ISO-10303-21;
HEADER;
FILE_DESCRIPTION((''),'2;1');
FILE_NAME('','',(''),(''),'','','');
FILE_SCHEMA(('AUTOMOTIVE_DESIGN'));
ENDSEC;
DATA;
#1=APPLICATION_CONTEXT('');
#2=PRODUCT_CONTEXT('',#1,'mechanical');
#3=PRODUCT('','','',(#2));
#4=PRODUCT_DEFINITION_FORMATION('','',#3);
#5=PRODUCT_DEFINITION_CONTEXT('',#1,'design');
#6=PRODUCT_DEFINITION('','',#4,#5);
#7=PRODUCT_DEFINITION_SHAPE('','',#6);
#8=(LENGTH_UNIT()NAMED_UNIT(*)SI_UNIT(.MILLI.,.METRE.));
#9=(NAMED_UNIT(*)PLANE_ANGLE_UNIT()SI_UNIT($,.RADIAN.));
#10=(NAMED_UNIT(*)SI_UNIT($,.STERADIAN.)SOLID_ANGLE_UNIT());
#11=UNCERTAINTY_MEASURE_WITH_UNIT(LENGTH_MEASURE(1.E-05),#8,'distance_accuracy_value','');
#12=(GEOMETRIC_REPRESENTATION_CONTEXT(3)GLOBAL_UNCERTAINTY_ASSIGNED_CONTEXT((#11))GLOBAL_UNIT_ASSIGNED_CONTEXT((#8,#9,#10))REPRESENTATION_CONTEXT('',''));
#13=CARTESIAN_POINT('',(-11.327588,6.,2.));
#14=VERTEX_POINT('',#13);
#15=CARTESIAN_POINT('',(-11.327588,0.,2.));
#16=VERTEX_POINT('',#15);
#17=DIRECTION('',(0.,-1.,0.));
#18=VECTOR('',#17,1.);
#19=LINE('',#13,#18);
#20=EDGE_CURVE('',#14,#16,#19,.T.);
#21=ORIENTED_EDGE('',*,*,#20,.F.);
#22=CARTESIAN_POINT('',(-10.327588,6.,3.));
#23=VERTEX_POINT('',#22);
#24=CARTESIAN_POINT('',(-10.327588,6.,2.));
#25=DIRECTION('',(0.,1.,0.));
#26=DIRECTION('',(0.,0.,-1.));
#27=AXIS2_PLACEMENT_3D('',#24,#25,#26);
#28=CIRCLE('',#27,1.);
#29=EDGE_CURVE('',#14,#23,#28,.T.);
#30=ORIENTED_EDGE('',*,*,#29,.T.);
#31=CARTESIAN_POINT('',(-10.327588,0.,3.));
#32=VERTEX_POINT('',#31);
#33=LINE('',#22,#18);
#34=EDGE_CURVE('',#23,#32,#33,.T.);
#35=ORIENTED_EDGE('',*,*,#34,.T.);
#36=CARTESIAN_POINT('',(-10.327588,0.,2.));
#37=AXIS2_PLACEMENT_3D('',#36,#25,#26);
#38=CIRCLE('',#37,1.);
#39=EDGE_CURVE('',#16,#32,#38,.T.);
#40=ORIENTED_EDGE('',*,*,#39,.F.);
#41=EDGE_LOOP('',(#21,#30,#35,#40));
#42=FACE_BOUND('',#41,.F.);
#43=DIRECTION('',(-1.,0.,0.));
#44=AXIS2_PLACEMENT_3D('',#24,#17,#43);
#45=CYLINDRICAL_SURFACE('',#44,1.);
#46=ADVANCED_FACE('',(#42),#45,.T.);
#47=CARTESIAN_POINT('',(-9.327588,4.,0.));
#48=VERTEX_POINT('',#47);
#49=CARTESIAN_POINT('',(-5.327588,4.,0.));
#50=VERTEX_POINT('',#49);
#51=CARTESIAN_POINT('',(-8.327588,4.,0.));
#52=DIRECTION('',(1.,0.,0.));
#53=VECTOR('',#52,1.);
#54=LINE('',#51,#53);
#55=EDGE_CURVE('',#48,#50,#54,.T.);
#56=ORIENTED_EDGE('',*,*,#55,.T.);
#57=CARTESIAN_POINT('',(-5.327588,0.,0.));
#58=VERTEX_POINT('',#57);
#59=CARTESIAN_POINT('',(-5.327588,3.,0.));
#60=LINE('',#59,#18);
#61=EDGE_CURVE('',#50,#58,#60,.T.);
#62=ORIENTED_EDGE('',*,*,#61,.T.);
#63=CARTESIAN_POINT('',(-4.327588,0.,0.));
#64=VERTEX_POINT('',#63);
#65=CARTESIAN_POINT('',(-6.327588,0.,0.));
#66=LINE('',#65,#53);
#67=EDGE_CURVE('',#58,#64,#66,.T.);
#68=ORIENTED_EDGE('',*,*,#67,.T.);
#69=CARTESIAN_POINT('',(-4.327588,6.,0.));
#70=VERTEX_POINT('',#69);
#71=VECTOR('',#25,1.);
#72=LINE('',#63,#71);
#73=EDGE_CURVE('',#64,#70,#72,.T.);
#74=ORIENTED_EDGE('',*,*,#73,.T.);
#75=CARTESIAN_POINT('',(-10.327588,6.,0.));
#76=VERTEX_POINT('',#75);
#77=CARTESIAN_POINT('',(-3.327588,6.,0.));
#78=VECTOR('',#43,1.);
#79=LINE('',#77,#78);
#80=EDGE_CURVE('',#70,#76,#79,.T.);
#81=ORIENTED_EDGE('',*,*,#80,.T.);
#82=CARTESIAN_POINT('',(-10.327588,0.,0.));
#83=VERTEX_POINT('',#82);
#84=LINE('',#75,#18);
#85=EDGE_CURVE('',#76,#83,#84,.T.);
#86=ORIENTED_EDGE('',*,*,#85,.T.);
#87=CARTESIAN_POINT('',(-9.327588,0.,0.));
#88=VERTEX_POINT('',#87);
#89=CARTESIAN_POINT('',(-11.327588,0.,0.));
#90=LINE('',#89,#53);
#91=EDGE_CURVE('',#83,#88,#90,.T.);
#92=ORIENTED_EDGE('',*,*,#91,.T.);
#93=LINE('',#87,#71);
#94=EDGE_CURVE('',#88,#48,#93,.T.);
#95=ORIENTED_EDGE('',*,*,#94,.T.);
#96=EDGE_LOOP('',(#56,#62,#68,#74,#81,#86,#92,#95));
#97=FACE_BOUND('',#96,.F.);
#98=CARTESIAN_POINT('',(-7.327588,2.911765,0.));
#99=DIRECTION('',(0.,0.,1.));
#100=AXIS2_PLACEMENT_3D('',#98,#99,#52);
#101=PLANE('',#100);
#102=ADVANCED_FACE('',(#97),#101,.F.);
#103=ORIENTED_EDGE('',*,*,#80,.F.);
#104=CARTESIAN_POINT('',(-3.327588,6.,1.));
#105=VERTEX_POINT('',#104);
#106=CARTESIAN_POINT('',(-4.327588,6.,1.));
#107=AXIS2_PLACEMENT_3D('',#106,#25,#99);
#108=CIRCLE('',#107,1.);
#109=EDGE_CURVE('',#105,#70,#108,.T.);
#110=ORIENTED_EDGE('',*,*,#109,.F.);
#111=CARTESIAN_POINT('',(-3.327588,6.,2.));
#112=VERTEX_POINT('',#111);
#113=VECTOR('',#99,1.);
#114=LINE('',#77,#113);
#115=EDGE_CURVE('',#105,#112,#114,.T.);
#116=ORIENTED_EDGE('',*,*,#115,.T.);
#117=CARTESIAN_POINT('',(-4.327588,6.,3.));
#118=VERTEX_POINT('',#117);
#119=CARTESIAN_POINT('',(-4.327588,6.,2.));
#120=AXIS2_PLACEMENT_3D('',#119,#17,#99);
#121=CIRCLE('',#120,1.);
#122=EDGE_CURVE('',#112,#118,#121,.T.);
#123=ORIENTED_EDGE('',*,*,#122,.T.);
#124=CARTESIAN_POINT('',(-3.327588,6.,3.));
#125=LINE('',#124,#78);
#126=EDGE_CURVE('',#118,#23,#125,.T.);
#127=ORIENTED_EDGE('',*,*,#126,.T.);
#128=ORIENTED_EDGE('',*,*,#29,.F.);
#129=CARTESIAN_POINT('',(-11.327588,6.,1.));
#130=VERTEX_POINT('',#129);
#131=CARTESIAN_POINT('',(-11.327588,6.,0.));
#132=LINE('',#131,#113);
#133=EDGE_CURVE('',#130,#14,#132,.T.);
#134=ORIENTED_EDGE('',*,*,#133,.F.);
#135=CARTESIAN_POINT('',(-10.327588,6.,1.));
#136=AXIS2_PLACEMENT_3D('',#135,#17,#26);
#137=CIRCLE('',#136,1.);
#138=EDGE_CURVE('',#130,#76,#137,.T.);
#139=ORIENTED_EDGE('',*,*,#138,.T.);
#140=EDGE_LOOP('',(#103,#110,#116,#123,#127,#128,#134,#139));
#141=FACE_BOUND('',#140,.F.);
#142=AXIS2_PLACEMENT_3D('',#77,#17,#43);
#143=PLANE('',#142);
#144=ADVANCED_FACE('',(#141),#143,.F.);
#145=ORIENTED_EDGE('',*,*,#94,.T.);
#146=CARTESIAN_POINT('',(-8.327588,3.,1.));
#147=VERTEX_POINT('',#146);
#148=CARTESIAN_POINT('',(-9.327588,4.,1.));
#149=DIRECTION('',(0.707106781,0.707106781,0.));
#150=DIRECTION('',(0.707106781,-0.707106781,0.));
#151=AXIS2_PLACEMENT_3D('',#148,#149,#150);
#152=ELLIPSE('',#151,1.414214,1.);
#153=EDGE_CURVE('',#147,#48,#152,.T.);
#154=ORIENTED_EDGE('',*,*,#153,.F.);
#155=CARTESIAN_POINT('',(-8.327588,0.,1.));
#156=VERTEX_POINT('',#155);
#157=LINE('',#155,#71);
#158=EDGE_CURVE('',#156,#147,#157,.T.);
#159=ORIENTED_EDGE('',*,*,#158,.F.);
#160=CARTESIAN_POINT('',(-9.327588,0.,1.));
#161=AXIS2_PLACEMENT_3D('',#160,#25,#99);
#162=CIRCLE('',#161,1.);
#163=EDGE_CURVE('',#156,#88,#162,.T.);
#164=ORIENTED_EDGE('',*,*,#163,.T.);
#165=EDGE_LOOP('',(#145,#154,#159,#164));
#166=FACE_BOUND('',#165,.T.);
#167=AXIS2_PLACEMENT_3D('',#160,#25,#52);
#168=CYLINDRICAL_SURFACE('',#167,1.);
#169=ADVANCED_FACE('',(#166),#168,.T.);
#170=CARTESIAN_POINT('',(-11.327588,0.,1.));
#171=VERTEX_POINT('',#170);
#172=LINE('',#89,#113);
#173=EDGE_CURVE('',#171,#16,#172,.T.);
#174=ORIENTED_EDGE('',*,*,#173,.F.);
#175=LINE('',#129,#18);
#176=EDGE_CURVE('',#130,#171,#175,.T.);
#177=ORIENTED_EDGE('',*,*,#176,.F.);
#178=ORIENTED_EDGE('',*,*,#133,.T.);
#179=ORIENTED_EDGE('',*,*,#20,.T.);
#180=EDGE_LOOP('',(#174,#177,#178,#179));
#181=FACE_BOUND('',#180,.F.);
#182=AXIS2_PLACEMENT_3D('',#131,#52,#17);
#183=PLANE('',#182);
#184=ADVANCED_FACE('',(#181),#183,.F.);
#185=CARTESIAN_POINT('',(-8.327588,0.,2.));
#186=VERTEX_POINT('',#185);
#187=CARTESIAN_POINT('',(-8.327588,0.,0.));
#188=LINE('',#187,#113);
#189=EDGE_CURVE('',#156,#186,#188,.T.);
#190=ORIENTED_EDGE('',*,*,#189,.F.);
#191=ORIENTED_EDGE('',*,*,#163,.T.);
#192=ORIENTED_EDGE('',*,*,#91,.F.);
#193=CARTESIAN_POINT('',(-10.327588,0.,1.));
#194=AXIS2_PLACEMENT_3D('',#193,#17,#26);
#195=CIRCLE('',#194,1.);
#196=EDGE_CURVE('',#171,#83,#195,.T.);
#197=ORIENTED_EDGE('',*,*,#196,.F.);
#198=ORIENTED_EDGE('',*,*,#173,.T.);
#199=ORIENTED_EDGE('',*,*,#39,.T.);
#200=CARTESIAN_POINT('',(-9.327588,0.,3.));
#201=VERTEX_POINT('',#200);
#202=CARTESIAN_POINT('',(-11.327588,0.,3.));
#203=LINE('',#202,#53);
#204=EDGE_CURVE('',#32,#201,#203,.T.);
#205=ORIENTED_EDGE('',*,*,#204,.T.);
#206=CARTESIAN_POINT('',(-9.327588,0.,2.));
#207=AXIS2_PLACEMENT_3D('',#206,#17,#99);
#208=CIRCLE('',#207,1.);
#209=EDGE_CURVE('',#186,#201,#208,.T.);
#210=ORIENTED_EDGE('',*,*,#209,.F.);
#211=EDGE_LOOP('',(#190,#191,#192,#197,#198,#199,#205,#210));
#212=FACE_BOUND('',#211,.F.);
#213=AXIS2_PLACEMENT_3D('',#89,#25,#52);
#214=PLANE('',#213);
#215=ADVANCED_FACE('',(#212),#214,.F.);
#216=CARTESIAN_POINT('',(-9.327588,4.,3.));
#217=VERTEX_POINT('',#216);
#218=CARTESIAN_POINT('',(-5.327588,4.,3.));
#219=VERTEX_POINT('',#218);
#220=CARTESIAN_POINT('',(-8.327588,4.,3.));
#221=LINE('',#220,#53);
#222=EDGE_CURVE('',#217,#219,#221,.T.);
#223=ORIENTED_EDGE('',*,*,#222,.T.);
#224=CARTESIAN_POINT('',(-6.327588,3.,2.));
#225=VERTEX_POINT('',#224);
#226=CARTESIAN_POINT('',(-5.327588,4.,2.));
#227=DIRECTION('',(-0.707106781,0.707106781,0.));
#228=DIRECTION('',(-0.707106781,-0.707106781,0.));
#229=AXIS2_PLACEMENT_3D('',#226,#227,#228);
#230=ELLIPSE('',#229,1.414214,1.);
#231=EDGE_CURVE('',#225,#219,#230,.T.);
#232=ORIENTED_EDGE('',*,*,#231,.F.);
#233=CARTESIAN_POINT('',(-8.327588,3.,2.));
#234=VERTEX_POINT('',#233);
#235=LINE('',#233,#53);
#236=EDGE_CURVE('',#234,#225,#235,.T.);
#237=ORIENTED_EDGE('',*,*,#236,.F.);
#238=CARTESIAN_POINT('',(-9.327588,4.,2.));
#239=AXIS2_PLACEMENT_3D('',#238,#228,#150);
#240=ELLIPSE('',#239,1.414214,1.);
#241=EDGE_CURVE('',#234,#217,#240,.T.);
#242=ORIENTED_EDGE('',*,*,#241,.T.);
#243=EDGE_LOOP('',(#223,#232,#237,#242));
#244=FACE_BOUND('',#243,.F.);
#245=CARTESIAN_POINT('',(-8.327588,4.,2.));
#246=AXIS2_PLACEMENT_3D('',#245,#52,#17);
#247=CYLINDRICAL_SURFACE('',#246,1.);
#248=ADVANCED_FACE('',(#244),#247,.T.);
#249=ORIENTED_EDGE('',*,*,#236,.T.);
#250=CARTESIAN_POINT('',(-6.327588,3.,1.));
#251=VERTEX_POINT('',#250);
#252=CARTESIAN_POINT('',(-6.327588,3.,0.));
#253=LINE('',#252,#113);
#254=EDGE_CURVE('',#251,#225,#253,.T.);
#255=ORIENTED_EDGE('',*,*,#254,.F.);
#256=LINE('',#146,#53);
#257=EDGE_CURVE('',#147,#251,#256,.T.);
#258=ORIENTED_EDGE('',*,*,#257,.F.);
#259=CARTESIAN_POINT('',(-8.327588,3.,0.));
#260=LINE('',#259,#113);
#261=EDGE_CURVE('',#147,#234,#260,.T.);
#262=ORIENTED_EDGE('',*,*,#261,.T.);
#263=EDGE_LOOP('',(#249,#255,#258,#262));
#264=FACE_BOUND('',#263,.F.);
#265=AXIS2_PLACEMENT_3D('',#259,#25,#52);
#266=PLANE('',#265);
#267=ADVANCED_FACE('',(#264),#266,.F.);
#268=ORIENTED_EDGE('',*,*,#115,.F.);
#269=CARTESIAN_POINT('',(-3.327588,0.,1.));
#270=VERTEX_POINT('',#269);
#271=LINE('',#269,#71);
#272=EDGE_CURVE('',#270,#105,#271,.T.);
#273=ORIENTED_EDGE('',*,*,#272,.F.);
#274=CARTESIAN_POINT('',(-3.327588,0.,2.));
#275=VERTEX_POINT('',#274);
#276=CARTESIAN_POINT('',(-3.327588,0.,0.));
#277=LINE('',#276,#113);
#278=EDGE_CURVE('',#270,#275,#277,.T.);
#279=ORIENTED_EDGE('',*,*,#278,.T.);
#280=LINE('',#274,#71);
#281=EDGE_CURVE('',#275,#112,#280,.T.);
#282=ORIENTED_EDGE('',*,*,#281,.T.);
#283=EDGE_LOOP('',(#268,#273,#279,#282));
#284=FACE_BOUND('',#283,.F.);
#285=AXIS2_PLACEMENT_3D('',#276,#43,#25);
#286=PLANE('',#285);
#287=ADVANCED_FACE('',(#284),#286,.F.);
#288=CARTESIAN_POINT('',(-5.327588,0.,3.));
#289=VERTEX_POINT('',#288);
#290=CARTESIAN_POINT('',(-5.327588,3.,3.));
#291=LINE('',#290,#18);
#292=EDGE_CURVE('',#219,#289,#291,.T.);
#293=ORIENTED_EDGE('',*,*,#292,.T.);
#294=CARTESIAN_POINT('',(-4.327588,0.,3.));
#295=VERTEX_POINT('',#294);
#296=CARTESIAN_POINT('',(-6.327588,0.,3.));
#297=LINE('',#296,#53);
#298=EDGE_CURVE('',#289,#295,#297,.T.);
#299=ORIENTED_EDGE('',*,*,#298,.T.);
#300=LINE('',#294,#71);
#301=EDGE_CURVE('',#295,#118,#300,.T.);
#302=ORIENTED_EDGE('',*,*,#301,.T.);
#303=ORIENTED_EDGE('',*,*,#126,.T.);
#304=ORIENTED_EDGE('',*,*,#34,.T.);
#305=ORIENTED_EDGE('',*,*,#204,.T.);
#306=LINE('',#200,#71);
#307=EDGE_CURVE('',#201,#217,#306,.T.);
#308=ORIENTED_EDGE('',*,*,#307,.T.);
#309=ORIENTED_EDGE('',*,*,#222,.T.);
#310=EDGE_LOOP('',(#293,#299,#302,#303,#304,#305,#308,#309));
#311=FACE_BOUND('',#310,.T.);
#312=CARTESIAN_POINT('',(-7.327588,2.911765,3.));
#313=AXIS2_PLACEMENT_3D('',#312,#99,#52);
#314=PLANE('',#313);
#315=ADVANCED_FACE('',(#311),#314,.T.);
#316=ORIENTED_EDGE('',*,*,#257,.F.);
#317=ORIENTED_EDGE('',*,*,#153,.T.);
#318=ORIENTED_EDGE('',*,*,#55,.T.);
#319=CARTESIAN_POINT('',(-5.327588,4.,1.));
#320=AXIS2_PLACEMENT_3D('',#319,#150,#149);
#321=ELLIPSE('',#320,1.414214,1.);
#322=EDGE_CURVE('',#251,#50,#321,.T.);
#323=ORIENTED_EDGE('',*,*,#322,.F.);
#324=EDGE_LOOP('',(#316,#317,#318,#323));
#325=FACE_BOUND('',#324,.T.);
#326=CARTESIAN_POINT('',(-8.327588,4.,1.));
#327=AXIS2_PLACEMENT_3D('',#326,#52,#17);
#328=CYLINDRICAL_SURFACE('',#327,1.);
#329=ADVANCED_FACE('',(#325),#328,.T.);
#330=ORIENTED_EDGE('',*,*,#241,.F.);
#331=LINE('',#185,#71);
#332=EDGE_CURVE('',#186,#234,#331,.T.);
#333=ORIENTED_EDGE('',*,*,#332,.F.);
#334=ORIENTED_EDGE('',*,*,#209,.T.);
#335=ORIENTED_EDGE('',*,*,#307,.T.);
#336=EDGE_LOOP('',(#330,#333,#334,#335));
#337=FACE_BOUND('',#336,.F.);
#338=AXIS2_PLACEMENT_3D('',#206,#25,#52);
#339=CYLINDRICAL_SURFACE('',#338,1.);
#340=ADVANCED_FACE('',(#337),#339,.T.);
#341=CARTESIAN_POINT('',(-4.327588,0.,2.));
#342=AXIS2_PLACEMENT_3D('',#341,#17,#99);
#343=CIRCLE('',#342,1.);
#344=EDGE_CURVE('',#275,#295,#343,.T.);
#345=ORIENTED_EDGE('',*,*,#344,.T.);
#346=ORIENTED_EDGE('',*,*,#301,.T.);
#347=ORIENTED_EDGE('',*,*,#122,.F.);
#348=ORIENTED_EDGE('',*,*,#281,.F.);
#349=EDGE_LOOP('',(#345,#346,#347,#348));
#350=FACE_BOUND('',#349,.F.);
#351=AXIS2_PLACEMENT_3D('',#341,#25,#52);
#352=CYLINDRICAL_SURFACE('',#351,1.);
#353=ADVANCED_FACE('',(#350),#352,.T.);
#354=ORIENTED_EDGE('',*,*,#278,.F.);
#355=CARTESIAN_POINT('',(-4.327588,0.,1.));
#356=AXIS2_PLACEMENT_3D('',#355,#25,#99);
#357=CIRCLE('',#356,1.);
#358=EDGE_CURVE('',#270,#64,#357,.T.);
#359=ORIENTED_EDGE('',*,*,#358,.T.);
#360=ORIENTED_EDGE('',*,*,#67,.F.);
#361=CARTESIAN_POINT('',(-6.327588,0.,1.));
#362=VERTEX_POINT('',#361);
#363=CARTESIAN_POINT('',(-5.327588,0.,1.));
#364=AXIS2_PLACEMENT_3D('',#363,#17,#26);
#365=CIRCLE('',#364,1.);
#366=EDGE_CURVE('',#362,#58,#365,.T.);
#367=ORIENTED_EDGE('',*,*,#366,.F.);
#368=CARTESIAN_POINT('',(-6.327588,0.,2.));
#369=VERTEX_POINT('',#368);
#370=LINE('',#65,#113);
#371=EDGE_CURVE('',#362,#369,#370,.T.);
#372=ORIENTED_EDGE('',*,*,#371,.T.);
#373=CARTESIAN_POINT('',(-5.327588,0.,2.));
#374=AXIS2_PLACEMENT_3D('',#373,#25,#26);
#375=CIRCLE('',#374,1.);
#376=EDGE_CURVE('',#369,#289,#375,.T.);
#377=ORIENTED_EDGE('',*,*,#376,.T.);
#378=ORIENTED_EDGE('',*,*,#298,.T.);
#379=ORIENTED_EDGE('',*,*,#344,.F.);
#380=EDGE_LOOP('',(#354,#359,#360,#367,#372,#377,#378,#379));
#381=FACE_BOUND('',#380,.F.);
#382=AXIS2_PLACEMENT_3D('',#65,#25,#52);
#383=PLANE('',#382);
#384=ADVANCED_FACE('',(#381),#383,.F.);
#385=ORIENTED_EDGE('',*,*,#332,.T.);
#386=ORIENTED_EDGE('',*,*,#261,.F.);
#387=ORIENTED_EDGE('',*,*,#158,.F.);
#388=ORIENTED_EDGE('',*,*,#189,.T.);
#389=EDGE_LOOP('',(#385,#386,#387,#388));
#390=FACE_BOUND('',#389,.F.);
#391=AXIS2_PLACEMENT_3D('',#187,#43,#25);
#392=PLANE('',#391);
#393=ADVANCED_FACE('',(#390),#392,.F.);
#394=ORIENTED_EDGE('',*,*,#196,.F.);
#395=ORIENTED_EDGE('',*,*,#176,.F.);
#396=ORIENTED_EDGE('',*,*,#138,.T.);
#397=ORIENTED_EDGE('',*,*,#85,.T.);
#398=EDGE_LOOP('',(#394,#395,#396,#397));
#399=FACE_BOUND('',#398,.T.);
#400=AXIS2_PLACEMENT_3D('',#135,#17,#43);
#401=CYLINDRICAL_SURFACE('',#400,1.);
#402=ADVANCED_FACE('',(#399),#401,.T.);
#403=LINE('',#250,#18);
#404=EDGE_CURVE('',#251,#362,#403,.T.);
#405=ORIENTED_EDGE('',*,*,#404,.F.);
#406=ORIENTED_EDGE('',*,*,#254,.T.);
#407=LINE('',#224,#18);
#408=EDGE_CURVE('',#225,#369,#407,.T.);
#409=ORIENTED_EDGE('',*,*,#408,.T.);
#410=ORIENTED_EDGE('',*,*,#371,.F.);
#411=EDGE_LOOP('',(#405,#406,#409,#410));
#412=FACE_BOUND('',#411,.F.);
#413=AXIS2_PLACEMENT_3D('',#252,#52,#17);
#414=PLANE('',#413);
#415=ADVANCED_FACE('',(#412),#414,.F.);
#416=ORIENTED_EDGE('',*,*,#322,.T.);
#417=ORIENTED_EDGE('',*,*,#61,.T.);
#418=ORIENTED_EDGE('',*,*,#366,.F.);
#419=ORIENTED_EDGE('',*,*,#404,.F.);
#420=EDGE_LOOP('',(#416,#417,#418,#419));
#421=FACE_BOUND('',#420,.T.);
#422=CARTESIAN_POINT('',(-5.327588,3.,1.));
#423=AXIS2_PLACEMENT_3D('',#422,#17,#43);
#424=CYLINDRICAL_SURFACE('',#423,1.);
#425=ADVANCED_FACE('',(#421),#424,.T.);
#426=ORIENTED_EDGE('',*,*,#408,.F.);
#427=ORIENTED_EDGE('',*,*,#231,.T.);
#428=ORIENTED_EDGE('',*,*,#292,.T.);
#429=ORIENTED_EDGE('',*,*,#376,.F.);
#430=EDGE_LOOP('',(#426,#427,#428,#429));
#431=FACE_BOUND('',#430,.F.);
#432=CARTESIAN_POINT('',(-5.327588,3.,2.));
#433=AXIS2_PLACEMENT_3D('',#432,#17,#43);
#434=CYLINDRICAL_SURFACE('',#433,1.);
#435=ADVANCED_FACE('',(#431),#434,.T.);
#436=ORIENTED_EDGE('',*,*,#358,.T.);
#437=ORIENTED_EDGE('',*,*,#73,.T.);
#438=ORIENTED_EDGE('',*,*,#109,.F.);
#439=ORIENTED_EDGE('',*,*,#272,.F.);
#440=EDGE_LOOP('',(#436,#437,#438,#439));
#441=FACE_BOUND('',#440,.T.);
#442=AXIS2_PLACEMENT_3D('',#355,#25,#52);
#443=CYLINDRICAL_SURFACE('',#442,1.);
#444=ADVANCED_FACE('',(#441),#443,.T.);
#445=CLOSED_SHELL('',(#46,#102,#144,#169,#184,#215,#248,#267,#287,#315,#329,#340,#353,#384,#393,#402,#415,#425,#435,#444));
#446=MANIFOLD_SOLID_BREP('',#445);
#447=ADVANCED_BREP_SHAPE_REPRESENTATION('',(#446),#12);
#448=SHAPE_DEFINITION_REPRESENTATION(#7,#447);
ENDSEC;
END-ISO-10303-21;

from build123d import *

# Parameters (mm, degrees)
F1_DEPTH = 3
F2_R     = 1


with BuildPart() as f1:
    # F0 (on Top) → F1 (new body)
    with BuildSketch(Plane.XY):
        Polygon((-11.327588, 0), (-8.327588, 0), (-8.327588, 3), (-6.327588, 3), (-6.327588, 0), (-3.327588, 0), (-3.327588, 6), (-11.327588, 6), align=None)
    extrude(amount=F1_DEPTH)

    # F2
    f2_edges = [f1.edges().sort_by_distance(p)[0] for p in [
        (-6.327588, 1.5, 3),
        (-7.327588, 3, 3),
        (-8.327588, 1.5, 3),
        (-7.327588, 3, 0),
        (-8.327588, 1.5, 0),
        (-6.327588, 1.5, 0),
        (-11.327588, 3, 0),
        (-11.327588, 3, 3),
        (-3.327588, 3, 3),
        (-3.327588, 3, 0),
    ]]
    fillet(f2_edges, radius=F2_R)


solid = f1.part
